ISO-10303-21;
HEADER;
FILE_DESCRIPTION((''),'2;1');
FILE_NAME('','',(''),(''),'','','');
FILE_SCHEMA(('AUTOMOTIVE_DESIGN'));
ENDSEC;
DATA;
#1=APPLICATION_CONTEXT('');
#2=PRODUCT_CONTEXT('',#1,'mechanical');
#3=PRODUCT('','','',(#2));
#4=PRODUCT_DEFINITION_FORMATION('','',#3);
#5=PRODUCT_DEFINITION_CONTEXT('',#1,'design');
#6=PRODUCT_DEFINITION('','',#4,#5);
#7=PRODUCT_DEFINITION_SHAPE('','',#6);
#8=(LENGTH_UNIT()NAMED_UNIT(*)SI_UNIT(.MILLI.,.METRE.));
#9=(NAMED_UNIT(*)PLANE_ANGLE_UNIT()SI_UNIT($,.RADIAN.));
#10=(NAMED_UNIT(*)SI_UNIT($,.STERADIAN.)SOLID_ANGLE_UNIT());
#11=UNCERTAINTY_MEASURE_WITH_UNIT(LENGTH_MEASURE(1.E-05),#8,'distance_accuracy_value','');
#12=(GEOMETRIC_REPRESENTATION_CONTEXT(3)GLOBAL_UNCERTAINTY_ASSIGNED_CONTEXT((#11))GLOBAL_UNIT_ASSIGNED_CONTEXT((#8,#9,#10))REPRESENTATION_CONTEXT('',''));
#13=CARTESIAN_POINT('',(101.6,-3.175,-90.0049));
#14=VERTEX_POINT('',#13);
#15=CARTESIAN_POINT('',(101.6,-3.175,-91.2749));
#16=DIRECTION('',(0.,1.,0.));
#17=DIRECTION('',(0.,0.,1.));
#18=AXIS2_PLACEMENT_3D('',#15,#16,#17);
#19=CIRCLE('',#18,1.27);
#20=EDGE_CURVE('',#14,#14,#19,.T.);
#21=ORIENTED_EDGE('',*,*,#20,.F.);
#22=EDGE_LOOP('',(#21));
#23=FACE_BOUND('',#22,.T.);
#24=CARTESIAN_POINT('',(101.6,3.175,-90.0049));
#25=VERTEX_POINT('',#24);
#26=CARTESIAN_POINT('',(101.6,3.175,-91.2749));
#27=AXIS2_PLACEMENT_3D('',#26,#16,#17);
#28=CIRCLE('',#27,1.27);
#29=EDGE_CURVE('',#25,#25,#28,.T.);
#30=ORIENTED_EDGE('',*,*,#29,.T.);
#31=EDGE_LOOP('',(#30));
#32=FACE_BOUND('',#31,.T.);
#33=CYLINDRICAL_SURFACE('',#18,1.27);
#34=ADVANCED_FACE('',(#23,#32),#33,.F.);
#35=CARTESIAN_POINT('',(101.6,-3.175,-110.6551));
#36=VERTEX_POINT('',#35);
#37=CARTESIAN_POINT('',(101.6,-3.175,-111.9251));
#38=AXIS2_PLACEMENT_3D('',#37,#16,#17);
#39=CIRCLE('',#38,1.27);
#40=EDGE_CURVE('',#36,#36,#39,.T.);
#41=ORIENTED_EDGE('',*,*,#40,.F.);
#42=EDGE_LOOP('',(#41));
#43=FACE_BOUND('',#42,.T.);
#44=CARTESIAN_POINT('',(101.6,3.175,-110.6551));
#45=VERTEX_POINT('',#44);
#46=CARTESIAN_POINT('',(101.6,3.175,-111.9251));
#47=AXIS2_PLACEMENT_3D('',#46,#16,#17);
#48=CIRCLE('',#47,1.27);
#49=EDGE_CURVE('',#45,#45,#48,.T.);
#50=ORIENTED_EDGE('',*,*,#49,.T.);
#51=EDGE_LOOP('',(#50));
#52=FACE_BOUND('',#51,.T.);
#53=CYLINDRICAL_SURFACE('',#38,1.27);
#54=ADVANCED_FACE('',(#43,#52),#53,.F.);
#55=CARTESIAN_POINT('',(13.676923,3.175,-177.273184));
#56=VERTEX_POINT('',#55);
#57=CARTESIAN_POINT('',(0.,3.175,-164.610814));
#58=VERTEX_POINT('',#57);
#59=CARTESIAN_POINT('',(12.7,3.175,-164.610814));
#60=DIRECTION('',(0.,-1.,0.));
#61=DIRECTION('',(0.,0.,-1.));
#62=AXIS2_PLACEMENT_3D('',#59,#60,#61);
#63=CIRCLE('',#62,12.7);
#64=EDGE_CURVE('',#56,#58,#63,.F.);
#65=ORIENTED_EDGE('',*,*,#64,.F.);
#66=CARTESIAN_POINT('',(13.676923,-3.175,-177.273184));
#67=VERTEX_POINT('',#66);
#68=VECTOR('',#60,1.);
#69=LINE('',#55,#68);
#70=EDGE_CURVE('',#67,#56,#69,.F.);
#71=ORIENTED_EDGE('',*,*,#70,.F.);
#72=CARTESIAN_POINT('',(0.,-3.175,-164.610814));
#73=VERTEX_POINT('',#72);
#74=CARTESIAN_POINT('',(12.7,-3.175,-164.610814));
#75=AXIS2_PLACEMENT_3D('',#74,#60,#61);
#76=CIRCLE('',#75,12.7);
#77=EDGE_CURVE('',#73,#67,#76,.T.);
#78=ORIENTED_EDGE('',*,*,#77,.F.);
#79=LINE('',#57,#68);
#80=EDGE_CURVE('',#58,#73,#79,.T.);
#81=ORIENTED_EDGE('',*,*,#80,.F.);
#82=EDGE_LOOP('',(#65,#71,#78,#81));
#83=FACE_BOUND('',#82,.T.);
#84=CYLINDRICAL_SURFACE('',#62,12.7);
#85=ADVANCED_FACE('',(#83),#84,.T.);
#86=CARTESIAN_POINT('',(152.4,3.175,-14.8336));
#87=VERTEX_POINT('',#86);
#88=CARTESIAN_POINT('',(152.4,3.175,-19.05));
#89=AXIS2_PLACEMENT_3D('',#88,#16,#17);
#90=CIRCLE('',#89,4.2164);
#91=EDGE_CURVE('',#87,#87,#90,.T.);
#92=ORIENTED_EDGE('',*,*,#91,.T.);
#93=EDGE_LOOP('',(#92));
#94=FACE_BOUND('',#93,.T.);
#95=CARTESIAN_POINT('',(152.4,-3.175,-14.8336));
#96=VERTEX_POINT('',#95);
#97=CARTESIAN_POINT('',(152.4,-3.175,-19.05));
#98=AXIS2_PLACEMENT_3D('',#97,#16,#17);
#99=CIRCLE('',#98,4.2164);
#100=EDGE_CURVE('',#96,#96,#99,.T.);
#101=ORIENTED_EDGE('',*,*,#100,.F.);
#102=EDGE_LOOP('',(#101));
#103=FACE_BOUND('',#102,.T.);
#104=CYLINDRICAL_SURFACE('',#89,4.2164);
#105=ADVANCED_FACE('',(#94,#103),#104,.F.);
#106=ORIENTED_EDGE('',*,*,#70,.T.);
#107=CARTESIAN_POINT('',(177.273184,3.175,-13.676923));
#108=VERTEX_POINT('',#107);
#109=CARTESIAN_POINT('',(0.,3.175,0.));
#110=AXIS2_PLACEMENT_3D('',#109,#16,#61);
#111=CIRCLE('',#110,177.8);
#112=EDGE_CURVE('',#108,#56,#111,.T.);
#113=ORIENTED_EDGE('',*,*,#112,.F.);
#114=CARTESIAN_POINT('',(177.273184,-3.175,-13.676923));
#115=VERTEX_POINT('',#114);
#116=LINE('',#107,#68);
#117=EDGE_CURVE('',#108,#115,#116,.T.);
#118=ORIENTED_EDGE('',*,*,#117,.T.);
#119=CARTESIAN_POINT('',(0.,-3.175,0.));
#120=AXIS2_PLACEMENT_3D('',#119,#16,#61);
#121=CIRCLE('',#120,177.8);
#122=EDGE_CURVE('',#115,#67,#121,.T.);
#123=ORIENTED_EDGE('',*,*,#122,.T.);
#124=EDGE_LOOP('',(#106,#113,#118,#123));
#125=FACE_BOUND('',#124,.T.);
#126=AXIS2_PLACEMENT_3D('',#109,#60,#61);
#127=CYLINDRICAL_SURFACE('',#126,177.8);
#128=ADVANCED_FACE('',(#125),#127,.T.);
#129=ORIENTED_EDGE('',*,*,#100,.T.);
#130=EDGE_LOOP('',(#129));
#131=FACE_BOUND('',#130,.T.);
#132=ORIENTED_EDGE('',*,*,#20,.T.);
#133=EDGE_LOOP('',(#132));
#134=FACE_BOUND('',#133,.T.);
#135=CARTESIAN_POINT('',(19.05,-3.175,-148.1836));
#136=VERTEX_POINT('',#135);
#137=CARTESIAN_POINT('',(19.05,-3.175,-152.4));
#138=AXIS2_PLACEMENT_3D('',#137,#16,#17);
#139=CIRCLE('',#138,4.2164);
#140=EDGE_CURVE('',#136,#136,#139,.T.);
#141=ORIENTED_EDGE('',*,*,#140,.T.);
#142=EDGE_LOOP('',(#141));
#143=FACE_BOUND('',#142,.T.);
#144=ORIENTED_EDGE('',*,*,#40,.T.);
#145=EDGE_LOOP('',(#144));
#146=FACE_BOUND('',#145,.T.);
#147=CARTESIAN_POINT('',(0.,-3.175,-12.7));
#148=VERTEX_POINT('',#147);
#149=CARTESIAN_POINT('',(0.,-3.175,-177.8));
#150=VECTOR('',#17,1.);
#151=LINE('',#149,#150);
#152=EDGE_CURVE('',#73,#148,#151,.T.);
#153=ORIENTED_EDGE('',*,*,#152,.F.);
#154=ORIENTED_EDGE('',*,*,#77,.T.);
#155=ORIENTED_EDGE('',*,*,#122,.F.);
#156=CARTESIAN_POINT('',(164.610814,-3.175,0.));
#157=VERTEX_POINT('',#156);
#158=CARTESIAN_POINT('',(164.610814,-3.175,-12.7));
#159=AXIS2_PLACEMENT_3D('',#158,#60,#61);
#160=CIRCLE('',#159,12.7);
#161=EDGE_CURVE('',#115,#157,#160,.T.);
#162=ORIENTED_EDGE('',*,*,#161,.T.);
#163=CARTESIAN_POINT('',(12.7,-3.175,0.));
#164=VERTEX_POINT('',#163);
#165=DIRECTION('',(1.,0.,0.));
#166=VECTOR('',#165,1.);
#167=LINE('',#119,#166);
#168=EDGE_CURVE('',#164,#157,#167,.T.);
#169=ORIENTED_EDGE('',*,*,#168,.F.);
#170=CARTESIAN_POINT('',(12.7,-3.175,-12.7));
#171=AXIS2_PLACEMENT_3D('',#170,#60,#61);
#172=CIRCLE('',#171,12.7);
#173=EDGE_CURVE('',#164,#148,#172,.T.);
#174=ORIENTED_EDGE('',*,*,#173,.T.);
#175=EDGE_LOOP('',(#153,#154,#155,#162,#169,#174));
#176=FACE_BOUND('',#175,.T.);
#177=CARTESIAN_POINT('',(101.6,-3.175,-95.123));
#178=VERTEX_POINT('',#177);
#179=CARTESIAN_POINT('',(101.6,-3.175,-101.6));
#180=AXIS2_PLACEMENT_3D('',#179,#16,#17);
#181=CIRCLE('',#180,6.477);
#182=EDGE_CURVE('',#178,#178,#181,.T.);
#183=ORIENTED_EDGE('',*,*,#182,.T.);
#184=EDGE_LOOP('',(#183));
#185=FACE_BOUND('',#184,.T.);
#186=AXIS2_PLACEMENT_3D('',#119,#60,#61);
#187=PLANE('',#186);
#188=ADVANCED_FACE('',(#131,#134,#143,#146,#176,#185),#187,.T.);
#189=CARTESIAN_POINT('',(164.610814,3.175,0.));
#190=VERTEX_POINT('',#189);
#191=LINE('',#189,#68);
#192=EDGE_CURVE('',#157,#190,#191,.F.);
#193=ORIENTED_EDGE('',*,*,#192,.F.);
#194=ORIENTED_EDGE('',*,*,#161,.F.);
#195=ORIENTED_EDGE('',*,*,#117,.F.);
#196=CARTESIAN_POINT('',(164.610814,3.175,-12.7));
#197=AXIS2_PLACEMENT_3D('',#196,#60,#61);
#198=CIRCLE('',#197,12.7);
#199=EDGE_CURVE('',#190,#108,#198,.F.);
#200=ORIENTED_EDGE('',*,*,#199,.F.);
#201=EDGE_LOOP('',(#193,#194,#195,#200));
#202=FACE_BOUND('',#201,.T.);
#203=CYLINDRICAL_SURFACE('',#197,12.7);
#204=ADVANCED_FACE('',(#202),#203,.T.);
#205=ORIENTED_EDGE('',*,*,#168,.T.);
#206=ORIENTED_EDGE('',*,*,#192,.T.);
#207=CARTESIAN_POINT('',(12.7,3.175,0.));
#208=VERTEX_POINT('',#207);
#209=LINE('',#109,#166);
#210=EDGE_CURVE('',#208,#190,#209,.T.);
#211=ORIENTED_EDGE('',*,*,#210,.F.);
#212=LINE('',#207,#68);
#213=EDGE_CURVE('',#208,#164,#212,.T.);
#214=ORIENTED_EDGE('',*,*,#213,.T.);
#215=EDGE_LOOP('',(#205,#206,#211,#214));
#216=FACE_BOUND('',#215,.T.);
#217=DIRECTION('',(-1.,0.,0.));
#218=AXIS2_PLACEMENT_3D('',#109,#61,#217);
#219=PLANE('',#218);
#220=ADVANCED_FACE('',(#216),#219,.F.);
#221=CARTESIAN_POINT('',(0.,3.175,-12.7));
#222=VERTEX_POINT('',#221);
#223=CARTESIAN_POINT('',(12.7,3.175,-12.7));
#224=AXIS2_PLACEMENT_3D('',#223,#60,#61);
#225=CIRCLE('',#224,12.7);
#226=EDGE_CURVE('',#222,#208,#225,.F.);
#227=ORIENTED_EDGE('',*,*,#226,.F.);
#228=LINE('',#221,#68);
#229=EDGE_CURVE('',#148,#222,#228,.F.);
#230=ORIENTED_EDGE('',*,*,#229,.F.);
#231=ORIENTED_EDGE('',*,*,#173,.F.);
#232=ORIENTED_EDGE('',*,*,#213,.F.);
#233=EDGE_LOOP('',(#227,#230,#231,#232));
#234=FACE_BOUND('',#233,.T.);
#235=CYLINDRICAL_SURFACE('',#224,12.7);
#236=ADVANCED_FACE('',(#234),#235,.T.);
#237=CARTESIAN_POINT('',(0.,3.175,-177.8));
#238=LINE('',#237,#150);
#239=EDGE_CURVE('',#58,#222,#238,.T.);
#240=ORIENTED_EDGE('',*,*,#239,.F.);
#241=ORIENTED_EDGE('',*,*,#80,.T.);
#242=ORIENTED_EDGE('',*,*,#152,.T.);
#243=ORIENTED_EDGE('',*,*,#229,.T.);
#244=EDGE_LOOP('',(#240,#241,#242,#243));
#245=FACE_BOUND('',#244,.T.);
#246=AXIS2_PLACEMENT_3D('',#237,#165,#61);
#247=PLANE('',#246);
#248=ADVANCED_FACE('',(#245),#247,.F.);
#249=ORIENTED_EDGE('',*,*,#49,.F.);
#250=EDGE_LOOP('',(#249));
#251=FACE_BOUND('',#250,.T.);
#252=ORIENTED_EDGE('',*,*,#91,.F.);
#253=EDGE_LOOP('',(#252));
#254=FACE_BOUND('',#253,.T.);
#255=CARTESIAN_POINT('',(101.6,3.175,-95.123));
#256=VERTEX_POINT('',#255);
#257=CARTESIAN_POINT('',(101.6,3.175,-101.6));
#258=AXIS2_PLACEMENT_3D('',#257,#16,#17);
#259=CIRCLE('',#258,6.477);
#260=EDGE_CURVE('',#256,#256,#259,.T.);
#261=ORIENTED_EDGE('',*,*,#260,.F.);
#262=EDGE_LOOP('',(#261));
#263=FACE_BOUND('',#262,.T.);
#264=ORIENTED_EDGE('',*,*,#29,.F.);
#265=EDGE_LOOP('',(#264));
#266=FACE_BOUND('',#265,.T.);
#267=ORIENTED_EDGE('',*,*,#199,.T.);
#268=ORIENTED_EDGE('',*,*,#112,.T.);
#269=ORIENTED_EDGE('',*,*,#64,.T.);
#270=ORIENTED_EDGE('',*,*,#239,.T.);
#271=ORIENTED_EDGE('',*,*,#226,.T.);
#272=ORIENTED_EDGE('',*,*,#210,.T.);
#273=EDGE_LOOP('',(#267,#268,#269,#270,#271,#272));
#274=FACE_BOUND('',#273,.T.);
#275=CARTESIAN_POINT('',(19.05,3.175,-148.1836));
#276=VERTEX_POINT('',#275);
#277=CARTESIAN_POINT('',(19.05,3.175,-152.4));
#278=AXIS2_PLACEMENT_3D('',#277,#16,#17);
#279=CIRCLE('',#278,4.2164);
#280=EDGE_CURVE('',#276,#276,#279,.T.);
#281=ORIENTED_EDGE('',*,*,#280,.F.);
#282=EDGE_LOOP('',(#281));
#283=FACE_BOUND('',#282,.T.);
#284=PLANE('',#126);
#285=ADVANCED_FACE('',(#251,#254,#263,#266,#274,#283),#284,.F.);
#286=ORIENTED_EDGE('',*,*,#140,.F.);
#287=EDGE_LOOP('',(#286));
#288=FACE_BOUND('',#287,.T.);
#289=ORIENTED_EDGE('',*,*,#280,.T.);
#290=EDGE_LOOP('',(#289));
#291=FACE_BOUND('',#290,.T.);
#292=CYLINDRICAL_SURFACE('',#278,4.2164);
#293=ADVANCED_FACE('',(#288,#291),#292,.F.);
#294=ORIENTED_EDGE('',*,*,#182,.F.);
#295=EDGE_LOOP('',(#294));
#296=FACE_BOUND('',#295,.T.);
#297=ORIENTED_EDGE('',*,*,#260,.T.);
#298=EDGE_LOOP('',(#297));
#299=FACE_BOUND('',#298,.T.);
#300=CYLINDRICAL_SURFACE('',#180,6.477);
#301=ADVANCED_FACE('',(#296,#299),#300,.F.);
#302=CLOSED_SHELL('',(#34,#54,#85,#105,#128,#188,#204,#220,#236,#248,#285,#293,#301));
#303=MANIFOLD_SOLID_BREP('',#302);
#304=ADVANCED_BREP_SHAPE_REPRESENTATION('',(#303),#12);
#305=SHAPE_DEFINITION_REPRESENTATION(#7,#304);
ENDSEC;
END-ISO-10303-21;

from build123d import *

# Parameters (mm, degrees)
BOSS_EXTRUDE1_DEPTH      = 3.175
SKETCH2_R                = 6.477
SKETCH2_R_2              = 1.27
CUT_EXTRUDE1_DEPTH       = 252.527339468
Q_0_332_DIAMETER_HOLE1_D = 8.4328
FILLET1_R                = 12.7


with BuildPart() as part:
    # Sketch1 → Boss-Extrude1 (new, symmetric)
    with BuildSketch(Plane(origin=(0, 0, 0), x_dir=(1, 0, 0), z_dir=(0, 1, 0))):
        with BuildLine():
            Line((0, 177.8), (0, 0))
            Line((0, 0), (177.8, 0))
            ThreePointArc((177.8, 0), (125.723585695, 125.723585695), (0, 177.8))
        make_face()
    extrude(amount=BOSS_EXTRUDE1_DEPTH, both=True)

    # Sketch2 → Cut-Extrude1 (cut, through all)
    with BuildSketch(Plane(origin=(0, 3.175, 0), x_dir=(1, 0, 0), z_dir=(0, 1, 0))):
        with Locations(Location((101.6, 101.6, 0), (0, 0, 270))):
            Circle(SKETCH2_R)
        with Locations(Location((101.6, 91.2749, 0), (0, 0, 270))):
            Circle(SKETCH2_R_2)
        with Locations(Location((101.6, 111.9251, 0), (0, 0, 270))):
            Circle(SKETCH2_R_2)
    extrude(amount=-CUT_EXTRUDE1_DEPTH, mode=Mode.SUBTRACT)

    # Q (0.332) Diameter Hole1 (through all)
    with Locations(Plane(origin=(0, 3.175, 0), x_dir=(1, 0, 0), z_dir=(0, 1, 0))):
        with Locations((19.05, 152.4), (152.4, 19.05)):
            Hole(Q_0_332_DIAMETER_HOLE1_D / 2)

    # Fillet1
    fillet1_edges = [part.edges().sort_by_distance(p)[0] for p in [
        (0, 0, 0),
        (0, 0, -177.8),
        (177.8, 0, 0),
    ]]
    fillet(fillet1_edges, radius=FILLET1_R)


solid = part.part
